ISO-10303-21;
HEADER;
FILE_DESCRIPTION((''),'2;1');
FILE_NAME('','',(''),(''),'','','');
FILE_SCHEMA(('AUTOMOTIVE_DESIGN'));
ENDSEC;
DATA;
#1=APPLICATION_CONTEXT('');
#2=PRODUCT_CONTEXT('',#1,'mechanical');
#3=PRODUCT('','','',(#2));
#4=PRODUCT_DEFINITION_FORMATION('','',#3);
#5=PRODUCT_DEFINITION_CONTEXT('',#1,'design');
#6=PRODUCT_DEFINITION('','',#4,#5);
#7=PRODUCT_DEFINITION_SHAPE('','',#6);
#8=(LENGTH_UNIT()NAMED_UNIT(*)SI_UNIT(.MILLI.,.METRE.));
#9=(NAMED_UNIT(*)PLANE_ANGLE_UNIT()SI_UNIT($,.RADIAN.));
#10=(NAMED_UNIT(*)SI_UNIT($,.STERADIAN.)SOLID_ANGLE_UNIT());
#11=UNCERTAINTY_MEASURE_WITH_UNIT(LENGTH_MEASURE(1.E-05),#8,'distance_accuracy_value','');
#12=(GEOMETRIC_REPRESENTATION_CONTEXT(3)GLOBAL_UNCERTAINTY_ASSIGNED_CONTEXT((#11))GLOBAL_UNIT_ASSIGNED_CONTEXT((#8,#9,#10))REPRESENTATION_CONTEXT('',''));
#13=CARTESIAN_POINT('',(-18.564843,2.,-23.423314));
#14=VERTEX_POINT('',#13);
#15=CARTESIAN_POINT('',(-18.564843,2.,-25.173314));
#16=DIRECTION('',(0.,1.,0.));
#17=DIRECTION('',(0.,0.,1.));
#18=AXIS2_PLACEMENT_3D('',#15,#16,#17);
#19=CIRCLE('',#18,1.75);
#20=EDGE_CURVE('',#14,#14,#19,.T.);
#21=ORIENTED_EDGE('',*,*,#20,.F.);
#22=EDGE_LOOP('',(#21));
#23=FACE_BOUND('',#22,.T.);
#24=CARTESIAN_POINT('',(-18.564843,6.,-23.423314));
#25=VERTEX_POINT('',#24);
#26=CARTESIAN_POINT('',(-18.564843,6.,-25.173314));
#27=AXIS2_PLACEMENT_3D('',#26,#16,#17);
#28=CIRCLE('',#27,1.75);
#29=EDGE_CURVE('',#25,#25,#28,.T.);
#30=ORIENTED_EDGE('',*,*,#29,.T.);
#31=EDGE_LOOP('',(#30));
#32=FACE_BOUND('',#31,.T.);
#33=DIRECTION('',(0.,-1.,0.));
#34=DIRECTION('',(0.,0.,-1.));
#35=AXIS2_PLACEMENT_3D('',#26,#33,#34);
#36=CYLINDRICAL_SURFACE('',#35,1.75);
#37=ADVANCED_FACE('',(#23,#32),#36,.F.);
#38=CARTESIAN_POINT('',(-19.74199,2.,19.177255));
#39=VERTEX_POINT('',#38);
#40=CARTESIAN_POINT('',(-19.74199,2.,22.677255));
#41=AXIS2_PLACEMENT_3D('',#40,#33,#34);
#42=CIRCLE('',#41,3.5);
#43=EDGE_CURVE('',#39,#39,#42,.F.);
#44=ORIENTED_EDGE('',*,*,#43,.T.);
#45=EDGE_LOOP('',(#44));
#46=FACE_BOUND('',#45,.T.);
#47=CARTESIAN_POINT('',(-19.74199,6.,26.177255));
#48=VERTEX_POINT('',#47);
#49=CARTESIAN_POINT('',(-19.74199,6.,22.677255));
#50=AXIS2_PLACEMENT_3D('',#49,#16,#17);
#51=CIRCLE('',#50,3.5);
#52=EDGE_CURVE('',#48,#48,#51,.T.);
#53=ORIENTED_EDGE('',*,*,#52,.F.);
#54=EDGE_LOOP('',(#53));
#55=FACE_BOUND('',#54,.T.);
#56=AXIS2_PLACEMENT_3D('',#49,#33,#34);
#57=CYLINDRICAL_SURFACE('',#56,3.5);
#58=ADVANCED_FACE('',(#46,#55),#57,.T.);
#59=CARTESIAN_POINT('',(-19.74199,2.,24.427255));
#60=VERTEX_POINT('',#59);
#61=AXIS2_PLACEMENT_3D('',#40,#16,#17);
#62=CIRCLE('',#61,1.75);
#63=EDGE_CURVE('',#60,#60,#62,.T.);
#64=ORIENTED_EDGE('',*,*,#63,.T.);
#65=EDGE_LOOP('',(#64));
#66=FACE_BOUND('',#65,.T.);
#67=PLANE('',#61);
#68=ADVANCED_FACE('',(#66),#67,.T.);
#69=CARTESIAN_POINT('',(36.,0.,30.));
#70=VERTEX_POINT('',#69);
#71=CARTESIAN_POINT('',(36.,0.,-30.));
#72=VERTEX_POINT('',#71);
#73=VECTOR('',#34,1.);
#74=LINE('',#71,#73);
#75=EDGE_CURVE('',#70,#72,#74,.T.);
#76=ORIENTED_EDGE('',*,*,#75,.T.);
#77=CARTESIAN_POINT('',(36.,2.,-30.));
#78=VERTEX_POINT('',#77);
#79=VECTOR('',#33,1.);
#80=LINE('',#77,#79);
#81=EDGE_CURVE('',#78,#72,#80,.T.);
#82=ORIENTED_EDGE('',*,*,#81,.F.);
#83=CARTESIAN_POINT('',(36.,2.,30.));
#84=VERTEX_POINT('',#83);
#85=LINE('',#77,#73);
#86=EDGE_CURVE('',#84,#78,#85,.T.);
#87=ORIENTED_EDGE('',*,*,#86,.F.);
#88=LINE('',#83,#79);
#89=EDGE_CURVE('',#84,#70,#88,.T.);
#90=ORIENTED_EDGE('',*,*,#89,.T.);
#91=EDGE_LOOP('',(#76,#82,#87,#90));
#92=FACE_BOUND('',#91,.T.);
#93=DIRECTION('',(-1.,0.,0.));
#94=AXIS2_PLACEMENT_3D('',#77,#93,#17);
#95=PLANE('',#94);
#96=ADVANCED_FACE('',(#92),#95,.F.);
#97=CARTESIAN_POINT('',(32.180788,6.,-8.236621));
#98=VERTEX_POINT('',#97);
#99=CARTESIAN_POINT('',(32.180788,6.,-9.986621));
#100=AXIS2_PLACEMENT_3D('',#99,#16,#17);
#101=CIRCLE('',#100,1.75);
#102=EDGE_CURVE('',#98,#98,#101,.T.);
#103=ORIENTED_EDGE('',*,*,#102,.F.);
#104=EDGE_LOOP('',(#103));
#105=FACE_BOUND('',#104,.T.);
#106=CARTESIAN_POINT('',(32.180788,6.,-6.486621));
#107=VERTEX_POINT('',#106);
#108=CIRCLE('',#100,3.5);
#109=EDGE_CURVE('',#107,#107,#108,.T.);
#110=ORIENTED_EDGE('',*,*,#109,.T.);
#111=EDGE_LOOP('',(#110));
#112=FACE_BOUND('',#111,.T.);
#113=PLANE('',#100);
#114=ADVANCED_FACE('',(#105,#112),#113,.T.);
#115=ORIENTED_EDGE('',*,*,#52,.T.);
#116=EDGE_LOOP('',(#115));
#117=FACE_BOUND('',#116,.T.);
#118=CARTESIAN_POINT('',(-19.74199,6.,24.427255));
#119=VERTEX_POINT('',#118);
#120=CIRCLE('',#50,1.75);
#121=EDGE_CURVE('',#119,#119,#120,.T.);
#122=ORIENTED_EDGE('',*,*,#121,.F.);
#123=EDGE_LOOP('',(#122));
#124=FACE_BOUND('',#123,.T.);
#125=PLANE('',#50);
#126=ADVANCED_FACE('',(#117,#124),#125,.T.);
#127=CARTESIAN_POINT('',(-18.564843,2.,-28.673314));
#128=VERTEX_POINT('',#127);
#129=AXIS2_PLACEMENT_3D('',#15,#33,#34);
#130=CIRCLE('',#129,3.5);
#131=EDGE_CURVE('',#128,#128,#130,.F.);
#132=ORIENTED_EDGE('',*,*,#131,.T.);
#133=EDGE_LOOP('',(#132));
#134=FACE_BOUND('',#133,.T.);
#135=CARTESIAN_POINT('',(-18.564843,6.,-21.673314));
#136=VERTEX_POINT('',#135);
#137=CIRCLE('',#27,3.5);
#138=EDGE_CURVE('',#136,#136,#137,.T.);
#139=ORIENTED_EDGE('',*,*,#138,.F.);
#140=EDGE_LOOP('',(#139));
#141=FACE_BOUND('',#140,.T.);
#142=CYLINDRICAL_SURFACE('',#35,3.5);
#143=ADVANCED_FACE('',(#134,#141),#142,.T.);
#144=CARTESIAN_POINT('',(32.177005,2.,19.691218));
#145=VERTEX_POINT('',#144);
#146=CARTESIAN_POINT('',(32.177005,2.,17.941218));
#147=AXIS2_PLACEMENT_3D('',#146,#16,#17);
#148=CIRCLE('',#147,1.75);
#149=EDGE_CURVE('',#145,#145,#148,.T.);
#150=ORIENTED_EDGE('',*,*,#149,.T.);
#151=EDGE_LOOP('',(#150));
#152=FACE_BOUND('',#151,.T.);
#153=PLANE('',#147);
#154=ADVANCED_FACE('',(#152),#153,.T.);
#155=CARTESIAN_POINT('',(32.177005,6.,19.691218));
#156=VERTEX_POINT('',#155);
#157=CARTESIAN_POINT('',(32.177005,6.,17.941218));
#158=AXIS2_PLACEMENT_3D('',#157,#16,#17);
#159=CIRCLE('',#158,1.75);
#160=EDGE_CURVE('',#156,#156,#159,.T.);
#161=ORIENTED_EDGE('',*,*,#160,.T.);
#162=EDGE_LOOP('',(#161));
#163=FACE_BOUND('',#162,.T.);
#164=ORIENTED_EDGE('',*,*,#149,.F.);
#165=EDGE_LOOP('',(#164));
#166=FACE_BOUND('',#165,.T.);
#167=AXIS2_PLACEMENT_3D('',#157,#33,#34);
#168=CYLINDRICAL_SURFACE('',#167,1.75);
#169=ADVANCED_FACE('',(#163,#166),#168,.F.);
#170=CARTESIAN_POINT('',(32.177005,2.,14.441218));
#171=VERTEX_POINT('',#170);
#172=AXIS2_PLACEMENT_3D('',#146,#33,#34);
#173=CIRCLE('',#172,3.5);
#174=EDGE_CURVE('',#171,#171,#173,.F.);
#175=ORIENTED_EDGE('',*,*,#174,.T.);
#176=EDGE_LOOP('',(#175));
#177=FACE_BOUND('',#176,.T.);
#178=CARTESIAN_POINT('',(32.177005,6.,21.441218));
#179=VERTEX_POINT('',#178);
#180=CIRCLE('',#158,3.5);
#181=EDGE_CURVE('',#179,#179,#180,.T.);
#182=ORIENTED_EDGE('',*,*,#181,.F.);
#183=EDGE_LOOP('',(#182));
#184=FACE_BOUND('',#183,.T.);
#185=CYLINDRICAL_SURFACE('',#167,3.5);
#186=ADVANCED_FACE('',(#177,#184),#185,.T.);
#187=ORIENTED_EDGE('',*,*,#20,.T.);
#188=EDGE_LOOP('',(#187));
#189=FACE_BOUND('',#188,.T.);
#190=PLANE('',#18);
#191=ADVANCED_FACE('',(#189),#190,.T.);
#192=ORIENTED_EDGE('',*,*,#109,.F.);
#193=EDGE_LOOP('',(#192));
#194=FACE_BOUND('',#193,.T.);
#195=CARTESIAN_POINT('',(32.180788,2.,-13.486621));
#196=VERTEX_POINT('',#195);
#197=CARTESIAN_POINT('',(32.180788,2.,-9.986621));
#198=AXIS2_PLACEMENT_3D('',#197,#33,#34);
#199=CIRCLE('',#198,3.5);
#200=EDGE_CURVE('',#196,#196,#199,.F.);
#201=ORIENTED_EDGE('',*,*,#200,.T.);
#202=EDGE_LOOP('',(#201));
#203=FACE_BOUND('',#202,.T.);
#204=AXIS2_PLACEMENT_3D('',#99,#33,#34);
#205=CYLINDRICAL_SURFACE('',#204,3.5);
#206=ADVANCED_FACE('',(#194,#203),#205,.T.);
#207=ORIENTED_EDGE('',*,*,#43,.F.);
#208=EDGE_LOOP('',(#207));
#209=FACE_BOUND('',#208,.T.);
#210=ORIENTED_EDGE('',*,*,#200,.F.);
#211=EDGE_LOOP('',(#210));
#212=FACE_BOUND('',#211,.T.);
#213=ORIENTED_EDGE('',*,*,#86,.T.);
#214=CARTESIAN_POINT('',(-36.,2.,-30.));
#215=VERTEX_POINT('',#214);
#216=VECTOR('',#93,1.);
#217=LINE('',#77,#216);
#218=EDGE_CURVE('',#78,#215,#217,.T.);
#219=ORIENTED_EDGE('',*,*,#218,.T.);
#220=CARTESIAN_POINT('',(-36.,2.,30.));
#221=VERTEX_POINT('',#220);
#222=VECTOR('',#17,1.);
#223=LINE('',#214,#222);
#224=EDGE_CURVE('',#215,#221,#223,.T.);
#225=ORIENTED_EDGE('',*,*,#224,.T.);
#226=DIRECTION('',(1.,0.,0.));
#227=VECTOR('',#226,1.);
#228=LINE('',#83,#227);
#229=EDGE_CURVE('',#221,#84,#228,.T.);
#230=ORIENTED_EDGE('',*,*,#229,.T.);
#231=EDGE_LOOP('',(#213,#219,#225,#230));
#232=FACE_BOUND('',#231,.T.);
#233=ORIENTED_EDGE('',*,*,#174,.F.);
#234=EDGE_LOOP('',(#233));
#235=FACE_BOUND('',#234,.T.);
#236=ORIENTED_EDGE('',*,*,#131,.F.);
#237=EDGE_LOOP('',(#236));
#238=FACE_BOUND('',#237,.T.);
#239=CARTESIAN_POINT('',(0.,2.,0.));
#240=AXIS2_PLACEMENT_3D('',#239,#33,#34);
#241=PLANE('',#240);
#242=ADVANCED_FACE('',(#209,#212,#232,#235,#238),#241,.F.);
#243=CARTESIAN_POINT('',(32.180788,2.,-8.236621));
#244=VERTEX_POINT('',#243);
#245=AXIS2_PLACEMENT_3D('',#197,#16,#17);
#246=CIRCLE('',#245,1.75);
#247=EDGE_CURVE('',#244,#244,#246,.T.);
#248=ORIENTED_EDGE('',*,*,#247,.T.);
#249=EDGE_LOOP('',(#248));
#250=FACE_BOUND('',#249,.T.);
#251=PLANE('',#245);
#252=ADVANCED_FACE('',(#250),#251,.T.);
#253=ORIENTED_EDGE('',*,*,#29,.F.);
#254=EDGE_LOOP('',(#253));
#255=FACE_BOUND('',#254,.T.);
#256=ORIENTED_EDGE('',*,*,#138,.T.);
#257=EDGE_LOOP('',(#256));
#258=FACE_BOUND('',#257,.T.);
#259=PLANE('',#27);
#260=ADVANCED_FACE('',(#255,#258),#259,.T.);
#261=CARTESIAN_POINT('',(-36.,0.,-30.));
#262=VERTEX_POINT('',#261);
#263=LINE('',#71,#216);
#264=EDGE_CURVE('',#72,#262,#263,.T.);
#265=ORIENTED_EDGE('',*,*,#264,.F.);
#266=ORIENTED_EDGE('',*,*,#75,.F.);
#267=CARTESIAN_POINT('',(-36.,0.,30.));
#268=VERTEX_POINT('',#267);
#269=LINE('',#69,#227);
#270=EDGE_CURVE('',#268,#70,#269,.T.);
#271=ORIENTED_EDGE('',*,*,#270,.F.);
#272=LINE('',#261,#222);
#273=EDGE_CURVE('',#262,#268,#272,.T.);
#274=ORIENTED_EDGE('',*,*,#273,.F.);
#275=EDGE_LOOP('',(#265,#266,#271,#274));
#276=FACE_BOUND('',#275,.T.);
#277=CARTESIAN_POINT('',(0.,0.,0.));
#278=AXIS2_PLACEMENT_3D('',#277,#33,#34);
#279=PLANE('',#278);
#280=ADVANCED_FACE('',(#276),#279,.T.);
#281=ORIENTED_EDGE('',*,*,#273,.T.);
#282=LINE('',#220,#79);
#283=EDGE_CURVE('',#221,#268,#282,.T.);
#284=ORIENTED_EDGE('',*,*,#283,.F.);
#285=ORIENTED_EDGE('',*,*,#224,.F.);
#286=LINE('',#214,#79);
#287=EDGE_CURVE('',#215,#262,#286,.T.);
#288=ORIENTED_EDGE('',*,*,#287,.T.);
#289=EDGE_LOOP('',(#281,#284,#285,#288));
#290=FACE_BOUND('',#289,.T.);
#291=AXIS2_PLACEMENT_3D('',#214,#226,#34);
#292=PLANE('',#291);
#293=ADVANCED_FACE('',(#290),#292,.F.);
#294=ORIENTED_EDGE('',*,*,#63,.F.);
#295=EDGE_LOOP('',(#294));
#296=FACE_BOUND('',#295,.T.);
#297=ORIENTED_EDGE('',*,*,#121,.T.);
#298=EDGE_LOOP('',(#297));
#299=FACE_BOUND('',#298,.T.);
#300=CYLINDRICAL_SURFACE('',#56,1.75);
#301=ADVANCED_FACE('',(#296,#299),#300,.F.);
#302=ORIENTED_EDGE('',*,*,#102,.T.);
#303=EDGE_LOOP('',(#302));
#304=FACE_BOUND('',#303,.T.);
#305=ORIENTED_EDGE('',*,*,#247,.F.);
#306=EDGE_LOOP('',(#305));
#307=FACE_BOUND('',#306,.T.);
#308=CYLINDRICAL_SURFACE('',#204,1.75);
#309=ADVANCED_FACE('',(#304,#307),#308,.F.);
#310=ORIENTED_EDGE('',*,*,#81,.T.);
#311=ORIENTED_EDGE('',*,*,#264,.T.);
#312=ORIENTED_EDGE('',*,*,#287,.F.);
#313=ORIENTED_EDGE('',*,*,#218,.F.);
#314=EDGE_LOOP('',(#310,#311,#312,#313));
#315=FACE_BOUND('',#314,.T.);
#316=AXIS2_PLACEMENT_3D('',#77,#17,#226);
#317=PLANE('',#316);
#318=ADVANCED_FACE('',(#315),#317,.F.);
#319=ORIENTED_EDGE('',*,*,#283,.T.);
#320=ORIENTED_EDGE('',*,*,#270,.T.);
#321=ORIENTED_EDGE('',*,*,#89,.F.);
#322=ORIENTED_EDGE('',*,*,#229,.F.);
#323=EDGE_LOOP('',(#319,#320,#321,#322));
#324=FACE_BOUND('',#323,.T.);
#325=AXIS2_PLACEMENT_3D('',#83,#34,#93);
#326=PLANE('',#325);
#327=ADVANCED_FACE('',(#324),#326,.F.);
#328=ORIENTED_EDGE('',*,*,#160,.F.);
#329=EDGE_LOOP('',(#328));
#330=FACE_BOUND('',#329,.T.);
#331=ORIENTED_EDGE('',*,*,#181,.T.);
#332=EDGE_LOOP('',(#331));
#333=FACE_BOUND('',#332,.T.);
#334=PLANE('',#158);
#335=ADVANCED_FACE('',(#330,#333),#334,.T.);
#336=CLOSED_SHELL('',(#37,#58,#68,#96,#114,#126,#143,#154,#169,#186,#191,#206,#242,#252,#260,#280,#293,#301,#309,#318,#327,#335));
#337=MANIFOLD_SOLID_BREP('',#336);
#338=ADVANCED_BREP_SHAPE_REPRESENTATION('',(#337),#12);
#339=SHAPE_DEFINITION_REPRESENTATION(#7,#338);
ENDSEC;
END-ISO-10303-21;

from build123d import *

# Parameters (mm, degrees)
ESQUISSE1_W             = 72
ESQUISSE1_H             = 60
BOSS_EXTRU_1_DEPTH      = 2
ESQUISSE3_R             = 3.5
BOSS_EXTRU_2_DEPTH      = 4
ESQUISSE2_R             = 1.75
ENL_V_MAT_EXTRU_1_DEPTH = 4


with BuildPart() as part:
    # Esquisse1 → Boss.-Extru.1 (new body)
    with BuildSketch(Plane(origin=(0, 0, 0), x_dir=(1, 0, 0), z_dir=(0, 1, 0))):
        Rectangle(ESQUISSE1_W, ESQUISSE1_H)
    extrude(amount=BOSS_EXTRU_1_DEPTH)

    # Esquisse3 → Boss.-Extru.2 (add)
    with BuildSketch(Plane(origin=(0, 2, 0), x_dir=(1, 0, 0), z_dir=(0, 1, 0))):
        with Locations((-19.741989578, -22.677254534)):
            Circle(ESQUISSE3_R)
        with Locations((32.17700457, -17.941217791)):
            Circle(ESQUISSE3_R)
        with Locations((32.180787909, 9.986620664)):
            Circle(ESQUISSE3_R)
        with Locations((-18.564843267, 25.173313711)):
            Circle(ESQUISSE3_R)
    extrude(amount=BOSS_EXTRU_2_DEPTH)

    # Esquisse2 → Enlèv. mat.-Extru.1 (cut)
    with BuildSketch(Plane(origin=(0, 2, 0), x_dir=(1, 0, 0), z_dir=(0, 1, 0))):
        with Locations((-18.564843267, 25.173313711)):
            Circle(ESQUISSE2_R)
        with Locations((32.180787909, 9.986620664)):
            Circle(ESQUISSE2_R)
        with Locations((32.17700457, -17.941217791)):
            Circle(ESQUISSE2_R)
        with Locations((-19.741989578, -22.677254534)):
            Circle(ESQUISSE2_R)
    extrude(amount=ENL_V_MAT_EXTRU_1_DEPTH, mode=Mode.SUBTRACT)


solid = part.part
